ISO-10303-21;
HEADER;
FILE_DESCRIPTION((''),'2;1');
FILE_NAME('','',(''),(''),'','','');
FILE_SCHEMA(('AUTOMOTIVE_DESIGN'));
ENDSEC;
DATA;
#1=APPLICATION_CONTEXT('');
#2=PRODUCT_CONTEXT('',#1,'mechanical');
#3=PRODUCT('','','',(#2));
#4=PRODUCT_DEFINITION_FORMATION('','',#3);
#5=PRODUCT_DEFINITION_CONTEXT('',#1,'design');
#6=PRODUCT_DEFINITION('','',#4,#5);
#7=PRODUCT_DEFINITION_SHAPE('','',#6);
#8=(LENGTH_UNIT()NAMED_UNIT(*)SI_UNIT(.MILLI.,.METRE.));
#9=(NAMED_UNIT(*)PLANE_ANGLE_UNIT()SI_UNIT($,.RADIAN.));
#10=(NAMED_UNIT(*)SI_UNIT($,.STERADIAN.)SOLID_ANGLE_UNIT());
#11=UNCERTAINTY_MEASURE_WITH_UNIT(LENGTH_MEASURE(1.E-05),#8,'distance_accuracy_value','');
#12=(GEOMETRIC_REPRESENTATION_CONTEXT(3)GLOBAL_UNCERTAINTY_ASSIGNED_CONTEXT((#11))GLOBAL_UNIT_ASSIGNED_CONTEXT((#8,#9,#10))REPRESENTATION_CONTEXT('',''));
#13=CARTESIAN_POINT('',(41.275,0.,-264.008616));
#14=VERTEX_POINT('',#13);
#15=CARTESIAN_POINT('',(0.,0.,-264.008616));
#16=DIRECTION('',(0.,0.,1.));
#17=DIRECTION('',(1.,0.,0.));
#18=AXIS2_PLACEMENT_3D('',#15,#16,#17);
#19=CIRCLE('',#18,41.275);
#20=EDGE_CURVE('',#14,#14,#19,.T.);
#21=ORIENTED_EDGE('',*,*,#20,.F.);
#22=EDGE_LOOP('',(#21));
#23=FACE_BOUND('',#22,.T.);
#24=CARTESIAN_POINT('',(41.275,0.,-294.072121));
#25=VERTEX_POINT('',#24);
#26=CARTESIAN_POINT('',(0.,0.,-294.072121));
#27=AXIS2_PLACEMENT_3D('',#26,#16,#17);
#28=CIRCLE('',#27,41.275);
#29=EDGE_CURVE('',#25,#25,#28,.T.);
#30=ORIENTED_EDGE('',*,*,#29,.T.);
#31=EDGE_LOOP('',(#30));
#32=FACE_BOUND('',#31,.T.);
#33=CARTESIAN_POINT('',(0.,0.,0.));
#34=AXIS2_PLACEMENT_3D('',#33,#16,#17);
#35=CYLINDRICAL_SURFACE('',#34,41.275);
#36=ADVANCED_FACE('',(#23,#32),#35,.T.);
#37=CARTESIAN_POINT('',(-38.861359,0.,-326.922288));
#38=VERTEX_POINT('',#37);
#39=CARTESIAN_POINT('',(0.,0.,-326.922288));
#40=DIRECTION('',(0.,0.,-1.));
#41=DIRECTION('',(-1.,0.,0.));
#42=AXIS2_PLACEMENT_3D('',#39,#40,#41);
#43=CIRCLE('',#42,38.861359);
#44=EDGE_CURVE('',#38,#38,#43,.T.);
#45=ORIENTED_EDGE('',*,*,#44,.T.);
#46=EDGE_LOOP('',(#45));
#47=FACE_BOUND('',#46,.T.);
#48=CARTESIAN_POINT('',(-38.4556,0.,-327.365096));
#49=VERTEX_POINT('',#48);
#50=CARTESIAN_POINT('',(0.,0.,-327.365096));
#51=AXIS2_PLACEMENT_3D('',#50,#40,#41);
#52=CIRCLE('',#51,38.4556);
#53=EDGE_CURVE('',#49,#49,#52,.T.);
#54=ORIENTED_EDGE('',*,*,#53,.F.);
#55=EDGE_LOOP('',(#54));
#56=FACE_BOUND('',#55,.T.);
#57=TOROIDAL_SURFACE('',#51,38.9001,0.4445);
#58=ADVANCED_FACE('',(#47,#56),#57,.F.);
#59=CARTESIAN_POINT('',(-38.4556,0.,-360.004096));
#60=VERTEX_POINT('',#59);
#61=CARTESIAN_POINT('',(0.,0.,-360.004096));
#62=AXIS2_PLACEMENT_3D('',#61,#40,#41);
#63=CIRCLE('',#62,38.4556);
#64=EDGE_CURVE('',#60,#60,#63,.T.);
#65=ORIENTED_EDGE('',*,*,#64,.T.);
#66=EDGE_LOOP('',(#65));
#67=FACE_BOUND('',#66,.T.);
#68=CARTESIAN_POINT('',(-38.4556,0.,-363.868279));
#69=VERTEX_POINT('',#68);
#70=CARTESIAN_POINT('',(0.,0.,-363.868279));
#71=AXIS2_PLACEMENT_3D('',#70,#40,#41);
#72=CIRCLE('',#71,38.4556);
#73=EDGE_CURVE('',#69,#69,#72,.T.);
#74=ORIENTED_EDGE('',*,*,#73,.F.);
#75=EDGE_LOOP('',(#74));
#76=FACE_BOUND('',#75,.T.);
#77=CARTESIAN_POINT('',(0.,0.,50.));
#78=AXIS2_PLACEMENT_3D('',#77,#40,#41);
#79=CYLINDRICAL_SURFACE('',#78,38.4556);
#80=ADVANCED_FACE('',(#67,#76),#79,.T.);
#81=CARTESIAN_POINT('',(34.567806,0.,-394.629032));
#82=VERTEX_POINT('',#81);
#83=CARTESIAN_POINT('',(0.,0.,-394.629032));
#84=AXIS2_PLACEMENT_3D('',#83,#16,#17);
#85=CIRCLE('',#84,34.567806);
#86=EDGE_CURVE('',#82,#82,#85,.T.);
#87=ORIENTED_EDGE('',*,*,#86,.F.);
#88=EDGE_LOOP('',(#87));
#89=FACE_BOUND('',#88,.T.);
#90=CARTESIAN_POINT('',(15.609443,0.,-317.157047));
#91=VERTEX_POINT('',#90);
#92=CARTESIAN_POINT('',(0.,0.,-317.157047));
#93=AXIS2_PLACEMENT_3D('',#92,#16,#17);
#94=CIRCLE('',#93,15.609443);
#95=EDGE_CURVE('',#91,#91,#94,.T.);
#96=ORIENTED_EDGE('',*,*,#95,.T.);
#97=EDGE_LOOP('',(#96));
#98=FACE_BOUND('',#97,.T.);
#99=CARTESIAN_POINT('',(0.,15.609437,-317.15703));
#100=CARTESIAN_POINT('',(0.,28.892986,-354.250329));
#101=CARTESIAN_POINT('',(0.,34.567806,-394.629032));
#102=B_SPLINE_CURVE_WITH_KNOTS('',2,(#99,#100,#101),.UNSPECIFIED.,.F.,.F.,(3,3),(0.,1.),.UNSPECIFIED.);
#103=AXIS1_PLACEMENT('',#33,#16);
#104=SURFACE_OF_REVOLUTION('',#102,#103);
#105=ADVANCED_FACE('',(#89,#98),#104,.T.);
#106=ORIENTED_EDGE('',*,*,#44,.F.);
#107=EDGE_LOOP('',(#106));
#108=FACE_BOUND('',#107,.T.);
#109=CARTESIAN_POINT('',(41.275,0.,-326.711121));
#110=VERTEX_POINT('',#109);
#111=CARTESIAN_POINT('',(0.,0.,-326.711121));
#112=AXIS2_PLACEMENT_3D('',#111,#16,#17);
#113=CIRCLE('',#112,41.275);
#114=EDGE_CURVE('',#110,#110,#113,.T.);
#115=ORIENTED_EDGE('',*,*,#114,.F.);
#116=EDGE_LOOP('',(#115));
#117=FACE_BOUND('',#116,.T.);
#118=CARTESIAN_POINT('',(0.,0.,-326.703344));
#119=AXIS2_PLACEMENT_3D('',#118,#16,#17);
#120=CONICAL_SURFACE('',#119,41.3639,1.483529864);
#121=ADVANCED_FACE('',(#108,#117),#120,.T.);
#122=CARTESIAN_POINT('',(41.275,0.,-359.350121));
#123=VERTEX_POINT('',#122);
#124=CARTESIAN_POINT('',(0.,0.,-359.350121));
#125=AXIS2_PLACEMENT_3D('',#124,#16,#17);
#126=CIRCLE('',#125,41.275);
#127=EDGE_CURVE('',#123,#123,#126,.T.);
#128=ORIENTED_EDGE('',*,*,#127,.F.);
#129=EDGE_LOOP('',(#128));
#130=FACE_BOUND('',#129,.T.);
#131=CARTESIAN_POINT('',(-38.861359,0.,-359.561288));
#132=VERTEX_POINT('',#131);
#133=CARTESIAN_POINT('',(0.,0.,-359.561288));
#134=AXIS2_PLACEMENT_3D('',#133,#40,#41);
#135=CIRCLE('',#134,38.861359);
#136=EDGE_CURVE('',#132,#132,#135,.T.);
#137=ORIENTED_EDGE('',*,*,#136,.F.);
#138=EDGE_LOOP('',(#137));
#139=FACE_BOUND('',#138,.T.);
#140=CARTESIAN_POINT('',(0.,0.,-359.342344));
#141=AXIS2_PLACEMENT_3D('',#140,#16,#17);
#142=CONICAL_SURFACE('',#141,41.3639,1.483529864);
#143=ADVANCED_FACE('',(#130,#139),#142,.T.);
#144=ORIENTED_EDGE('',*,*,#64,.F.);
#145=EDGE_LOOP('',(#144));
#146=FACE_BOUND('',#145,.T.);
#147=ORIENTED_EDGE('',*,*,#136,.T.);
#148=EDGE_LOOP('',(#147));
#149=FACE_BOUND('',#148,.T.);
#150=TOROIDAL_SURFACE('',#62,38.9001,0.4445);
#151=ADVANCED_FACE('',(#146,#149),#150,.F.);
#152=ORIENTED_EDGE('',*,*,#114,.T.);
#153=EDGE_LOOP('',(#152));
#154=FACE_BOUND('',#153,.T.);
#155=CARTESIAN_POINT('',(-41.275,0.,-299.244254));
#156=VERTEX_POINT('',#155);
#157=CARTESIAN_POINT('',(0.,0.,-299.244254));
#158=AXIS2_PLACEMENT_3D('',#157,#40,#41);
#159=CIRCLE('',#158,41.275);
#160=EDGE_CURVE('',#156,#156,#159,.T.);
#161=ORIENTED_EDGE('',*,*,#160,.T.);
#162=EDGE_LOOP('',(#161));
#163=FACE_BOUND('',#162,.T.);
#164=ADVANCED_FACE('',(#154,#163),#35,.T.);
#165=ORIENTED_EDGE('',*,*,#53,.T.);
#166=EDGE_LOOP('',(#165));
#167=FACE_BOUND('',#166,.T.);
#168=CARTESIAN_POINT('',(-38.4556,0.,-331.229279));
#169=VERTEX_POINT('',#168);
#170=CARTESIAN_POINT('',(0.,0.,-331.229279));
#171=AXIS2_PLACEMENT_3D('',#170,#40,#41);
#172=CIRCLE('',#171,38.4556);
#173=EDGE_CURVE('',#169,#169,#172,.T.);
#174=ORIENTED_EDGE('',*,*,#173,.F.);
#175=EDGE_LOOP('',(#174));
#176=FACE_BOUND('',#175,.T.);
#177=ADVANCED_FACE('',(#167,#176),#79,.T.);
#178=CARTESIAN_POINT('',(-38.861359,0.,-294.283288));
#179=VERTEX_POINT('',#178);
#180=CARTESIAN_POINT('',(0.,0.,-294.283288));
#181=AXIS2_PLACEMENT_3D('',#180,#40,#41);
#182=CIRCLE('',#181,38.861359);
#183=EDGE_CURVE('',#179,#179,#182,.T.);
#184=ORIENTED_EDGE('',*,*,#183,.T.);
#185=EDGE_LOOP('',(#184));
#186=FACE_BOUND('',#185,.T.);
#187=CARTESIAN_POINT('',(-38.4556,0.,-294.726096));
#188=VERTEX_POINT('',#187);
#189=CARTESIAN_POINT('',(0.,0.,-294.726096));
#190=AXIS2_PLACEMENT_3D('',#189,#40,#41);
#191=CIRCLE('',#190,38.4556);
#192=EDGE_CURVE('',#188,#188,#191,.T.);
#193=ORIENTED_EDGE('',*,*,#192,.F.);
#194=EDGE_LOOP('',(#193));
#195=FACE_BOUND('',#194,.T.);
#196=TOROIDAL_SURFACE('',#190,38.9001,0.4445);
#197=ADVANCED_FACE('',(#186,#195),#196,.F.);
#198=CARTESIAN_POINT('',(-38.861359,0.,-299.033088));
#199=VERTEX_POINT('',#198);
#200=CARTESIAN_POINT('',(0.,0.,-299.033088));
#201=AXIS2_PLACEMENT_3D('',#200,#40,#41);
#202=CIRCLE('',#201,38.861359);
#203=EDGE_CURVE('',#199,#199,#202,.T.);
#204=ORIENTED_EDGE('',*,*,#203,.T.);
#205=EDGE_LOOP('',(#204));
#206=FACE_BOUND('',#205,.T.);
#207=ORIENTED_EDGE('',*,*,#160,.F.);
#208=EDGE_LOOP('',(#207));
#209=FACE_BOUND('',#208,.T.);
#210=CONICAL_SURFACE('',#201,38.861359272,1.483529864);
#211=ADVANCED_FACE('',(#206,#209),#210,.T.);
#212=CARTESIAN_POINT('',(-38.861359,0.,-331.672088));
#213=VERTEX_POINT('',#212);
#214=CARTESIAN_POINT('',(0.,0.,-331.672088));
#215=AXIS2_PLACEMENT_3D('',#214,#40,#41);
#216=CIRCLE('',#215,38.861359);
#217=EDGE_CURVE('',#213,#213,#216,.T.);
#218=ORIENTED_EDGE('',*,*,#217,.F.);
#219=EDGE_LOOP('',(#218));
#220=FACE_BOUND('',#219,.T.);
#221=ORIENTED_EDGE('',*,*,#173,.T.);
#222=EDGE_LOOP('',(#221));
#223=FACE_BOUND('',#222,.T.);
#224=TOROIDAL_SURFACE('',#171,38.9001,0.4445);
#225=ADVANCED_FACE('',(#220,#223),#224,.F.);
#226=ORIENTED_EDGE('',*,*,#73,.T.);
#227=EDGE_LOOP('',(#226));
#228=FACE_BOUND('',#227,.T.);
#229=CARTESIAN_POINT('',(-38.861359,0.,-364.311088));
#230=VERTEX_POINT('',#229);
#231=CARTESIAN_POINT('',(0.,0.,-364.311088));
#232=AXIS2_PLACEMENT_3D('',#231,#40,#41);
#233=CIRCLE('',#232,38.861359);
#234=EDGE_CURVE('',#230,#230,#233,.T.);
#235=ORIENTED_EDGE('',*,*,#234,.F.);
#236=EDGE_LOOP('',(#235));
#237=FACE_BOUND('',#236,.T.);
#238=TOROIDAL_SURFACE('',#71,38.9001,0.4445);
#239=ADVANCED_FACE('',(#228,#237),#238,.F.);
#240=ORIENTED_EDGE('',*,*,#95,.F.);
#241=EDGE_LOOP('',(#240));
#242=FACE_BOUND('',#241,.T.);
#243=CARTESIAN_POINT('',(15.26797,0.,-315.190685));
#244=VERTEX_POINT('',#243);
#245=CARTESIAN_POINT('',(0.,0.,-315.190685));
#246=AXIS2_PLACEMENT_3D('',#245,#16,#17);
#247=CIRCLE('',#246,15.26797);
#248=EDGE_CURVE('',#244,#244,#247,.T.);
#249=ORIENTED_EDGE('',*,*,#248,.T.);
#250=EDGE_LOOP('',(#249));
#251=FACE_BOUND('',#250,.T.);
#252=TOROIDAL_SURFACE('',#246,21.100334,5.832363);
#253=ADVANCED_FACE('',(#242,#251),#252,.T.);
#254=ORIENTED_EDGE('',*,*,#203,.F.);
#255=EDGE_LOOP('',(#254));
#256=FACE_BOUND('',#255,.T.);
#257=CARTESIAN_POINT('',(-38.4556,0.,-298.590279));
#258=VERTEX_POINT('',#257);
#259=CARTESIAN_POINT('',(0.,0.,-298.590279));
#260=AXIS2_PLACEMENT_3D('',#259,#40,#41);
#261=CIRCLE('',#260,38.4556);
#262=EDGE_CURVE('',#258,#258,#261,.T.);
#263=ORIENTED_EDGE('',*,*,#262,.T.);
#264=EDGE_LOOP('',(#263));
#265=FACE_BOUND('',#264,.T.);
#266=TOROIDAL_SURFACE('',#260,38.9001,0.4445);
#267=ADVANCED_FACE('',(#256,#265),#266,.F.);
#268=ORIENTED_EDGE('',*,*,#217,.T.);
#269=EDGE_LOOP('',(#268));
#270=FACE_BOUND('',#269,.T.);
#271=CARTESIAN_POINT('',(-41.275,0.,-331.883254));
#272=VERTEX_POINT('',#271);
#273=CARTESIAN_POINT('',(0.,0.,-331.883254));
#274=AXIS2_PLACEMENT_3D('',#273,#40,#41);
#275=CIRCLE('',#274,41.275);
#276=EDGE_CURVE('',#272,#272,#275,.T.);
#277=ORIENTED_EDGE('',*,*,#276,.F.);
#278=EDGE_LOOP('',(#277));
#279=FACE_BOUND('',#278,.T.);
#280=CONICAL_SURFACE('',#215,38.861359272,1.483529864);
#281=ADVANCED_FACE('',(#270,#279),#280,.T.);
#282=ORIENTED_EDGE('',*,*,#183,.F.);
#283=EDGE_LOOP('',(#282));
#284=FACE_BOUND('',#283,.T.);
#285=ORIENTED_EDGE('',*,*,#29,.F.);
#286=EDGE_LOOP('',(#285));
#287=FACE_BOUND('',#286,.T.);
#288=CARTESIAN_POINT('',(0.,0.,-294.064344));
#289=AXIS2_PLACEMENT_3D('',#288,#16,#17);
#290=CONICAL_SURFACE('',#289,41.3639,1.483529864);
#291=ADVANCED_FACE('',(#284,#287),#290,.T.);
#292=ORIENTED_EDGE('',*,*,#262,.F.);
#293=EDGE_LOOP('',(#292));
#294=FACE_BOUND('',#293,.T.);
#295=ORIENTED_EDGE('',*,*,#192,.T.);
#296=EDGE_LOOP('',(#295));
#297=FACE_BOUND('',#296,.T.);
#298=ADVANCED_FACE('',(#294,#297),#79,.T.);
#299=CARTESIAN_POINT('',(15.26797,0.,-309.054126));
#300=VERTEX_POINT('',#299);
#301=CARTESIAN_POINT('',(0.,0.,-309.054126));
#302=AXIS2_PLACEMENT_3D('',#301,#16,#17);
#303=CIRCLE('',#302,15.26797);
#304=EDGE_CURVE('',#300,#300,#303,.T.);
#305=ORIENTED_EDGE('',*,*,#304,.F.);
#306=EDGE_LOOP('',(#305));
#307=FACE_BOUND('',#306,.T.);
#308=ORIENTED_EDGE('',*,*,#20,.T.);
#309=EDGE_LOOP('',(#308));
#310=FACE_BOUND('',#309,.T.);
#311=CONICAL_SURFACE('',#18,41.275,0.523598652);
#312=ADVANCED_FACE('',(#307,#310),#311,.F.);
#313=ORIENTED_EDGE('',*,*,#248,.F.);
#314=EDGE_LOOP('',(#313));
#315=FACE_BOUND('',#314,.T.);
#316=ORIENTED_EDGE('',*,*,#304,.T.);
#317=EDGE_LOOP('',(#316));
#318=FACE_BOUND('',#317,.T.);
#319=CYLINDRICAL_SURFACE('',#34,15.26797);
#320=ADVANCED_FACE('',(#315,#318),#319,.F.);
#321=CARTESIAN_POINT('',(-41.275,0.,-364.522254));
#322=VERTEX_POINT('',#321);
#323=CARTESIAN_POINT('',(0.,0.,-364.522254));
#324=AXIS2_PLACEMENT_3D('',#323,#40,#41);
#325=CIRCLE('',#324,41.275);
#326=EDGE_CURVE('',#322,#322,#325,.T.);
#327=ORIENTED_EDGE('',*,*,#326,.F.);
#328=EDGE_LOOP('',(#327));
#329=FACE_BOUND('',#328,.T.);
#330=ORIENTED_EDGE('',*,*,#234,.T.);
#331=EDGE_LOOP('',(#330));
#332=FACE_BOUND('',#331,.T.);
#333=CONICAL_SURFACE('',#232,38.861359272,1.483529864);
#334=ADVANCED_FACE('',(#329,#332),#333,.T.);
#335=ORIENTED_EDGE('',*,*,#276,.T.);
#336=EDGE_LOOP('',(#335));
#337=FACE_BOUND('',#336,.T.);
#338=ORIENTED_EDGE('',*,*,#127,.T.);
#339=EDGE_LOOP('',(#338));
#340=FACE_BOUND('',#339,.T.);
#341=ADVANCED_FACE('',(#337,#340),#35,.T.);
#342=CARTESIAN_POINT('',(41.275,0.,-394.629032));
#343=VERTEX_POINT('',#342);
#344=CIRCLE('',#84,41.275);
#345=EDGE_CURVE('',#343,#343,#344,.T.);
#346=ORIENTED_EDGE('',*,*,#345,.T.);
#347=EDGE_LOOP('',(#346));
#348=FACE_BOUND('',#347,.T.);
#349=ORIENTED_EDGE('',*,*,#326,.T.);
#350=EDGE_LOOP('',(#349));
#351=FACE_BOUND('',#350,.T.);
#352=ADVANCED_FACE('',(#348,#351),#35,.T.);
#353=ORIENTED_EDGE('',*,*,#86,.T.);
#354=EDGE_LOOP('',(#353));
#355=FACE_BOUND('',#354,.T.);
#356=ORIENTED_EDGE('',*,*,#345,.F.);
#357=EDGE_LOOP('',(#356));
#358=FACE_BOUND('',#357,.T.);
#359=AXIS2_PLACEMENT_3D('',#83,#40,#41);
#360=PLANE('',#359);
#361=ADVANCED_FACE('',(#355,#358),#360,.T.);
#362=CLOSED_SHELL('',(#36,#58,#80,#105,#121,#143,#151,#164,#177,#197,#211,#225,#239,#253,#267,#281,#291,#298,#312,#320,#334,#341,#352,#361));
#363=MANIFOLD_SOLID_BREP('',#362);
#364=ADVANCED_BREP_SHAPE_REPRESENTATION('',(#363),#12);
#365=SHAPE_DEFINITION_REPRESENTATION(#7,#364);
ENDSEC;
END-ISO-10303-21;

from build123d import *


with BuildPart() as part:
    # Sketch1 → Revolve1 (revolve)
    with BuildSketch(Plane(origin=(0, 0, 0), x_dir=(0, 0, -1), z_dir=(1, 0, 0))):
        with BuildLine():
            ThreePointArc((315.190684558, 15.267970122), (316.188580581, 15.353972381), (317.157047262, 15.609442831))
            add(Edge.make_bspline(
                [(317.157047262, 15.609442831), (354.250329011, 28.892986197), (394.6290315, 34.567805941)],
                knots=[0, 0, 0, 1, 1, 1], degree=2))
            Line((394.6290315, 34.567805941), (394.6290315, 41.275))
            Line((394.6290315, 41.275), (264.008615753, 41.275))
            Line((264.008615753, 41.275), (309.054125739, 15.267970122))
            Line((309.054125739, 15.267970122), (315.190684558, 15.267970122))
        make_face()
    revolve(axis=Axis((0, 0, 0), (0, 0, -1)))

    # Sketch9 → Groove for AS 568-234, O-Ring1 (revolve, cut)
    with BuildSketch(Plane(origin=(0, 0, 0), x_dir=(0, -1, 0), z_dir=(-1, 0, 0))):
        with BuildLine():
            Line((38.861359272, -294.283287556), (41.3639, -294.064343613))
            Line((41.3639, -294.064343613), (41.3639, -299.2520315))
            Line((41.3639, -299.2520315), (38.861359272, -299.033087556))
            ThreePointArc((38.861359272, -299.033087556), (38.572380224, -298.89057886), (38.4556, -298.590279013))
            Line((38.4556, -298.590279013), (38.4556, -294.7260961))
            ThreePointArc((38.4556, -294.7260961), (38.572380224, -294.425796252), (38.861359272, -294.283287556))
        make_face()
    revolve(axis=Axis((0, 0, 50), (0, 0, -1)), mode=Mode.SUBTRACT)

    # Sketch11 → Groove for AS 568-234, O-Ring2 (revolve, cut)
    with BuildSketch(Plane(origin=(0, 0, 0), x_dir=(0, -1, 0), z_dir=(-1, 0, 0))):
        with BuildLine():
            Line((38.861359272, -326.922287556), (41.3639, -326.703343613))
            Line((41.3639, -326.703343613), (41.3639, -331.8910315))
            Line((41.3639, -331.8910315), (38.861359272, -331.672087556))
            ThreePointArc((38.861359272, -331.672087556), (38.572380224, -331.52957886), (38.4556, -331.229279013))
            Line((38.4556, -331.229279013), (38.4556, -327.3650961))
            ThreePointArc((38.4556, -327.3650961), (38.572380224, -327.064796252), (38.861359272, -326.922287556))
        make_face()
    revolve(axis=Axis((0, 0, 50), (0, 0, -1)), mode=Mode.SUBTRACT)

    # Sketch13 → Groove for AS 568-234, O-Ring3 (revolve, cut)
    with BuildSketch(Plane(origin=(0, 0, 0), x_dir=(0, -1, 0), z_dir=(-1, 0, 0))):
        with BuildLine():
            Line((38.861359272, -359.561287556), (41.3639, -359.342343613))
            Line((41.3639, -359.342343613), (41.3639, -364.5300315))
            Line((41.3639, -364.5300315), (38.861359272, -364.311087556))
            ThreePointArc((38.861359272, -364.311087556), (38.572380224, -364.16857886), (38.4556, -363.868279013))
            Line((38.4556, -363.868279013), (38.4556, -360.0040961))
            ThreePointArc((38.4556, -360.0040961), (38.572380224, -359.703796252), (38.861359272, -359.561287556))
        make_face()
    revolve(axis=Axis((0, 0, 50), (0, 0, -1)), mode=Mode.SUBTRACT)


solid = part.part
